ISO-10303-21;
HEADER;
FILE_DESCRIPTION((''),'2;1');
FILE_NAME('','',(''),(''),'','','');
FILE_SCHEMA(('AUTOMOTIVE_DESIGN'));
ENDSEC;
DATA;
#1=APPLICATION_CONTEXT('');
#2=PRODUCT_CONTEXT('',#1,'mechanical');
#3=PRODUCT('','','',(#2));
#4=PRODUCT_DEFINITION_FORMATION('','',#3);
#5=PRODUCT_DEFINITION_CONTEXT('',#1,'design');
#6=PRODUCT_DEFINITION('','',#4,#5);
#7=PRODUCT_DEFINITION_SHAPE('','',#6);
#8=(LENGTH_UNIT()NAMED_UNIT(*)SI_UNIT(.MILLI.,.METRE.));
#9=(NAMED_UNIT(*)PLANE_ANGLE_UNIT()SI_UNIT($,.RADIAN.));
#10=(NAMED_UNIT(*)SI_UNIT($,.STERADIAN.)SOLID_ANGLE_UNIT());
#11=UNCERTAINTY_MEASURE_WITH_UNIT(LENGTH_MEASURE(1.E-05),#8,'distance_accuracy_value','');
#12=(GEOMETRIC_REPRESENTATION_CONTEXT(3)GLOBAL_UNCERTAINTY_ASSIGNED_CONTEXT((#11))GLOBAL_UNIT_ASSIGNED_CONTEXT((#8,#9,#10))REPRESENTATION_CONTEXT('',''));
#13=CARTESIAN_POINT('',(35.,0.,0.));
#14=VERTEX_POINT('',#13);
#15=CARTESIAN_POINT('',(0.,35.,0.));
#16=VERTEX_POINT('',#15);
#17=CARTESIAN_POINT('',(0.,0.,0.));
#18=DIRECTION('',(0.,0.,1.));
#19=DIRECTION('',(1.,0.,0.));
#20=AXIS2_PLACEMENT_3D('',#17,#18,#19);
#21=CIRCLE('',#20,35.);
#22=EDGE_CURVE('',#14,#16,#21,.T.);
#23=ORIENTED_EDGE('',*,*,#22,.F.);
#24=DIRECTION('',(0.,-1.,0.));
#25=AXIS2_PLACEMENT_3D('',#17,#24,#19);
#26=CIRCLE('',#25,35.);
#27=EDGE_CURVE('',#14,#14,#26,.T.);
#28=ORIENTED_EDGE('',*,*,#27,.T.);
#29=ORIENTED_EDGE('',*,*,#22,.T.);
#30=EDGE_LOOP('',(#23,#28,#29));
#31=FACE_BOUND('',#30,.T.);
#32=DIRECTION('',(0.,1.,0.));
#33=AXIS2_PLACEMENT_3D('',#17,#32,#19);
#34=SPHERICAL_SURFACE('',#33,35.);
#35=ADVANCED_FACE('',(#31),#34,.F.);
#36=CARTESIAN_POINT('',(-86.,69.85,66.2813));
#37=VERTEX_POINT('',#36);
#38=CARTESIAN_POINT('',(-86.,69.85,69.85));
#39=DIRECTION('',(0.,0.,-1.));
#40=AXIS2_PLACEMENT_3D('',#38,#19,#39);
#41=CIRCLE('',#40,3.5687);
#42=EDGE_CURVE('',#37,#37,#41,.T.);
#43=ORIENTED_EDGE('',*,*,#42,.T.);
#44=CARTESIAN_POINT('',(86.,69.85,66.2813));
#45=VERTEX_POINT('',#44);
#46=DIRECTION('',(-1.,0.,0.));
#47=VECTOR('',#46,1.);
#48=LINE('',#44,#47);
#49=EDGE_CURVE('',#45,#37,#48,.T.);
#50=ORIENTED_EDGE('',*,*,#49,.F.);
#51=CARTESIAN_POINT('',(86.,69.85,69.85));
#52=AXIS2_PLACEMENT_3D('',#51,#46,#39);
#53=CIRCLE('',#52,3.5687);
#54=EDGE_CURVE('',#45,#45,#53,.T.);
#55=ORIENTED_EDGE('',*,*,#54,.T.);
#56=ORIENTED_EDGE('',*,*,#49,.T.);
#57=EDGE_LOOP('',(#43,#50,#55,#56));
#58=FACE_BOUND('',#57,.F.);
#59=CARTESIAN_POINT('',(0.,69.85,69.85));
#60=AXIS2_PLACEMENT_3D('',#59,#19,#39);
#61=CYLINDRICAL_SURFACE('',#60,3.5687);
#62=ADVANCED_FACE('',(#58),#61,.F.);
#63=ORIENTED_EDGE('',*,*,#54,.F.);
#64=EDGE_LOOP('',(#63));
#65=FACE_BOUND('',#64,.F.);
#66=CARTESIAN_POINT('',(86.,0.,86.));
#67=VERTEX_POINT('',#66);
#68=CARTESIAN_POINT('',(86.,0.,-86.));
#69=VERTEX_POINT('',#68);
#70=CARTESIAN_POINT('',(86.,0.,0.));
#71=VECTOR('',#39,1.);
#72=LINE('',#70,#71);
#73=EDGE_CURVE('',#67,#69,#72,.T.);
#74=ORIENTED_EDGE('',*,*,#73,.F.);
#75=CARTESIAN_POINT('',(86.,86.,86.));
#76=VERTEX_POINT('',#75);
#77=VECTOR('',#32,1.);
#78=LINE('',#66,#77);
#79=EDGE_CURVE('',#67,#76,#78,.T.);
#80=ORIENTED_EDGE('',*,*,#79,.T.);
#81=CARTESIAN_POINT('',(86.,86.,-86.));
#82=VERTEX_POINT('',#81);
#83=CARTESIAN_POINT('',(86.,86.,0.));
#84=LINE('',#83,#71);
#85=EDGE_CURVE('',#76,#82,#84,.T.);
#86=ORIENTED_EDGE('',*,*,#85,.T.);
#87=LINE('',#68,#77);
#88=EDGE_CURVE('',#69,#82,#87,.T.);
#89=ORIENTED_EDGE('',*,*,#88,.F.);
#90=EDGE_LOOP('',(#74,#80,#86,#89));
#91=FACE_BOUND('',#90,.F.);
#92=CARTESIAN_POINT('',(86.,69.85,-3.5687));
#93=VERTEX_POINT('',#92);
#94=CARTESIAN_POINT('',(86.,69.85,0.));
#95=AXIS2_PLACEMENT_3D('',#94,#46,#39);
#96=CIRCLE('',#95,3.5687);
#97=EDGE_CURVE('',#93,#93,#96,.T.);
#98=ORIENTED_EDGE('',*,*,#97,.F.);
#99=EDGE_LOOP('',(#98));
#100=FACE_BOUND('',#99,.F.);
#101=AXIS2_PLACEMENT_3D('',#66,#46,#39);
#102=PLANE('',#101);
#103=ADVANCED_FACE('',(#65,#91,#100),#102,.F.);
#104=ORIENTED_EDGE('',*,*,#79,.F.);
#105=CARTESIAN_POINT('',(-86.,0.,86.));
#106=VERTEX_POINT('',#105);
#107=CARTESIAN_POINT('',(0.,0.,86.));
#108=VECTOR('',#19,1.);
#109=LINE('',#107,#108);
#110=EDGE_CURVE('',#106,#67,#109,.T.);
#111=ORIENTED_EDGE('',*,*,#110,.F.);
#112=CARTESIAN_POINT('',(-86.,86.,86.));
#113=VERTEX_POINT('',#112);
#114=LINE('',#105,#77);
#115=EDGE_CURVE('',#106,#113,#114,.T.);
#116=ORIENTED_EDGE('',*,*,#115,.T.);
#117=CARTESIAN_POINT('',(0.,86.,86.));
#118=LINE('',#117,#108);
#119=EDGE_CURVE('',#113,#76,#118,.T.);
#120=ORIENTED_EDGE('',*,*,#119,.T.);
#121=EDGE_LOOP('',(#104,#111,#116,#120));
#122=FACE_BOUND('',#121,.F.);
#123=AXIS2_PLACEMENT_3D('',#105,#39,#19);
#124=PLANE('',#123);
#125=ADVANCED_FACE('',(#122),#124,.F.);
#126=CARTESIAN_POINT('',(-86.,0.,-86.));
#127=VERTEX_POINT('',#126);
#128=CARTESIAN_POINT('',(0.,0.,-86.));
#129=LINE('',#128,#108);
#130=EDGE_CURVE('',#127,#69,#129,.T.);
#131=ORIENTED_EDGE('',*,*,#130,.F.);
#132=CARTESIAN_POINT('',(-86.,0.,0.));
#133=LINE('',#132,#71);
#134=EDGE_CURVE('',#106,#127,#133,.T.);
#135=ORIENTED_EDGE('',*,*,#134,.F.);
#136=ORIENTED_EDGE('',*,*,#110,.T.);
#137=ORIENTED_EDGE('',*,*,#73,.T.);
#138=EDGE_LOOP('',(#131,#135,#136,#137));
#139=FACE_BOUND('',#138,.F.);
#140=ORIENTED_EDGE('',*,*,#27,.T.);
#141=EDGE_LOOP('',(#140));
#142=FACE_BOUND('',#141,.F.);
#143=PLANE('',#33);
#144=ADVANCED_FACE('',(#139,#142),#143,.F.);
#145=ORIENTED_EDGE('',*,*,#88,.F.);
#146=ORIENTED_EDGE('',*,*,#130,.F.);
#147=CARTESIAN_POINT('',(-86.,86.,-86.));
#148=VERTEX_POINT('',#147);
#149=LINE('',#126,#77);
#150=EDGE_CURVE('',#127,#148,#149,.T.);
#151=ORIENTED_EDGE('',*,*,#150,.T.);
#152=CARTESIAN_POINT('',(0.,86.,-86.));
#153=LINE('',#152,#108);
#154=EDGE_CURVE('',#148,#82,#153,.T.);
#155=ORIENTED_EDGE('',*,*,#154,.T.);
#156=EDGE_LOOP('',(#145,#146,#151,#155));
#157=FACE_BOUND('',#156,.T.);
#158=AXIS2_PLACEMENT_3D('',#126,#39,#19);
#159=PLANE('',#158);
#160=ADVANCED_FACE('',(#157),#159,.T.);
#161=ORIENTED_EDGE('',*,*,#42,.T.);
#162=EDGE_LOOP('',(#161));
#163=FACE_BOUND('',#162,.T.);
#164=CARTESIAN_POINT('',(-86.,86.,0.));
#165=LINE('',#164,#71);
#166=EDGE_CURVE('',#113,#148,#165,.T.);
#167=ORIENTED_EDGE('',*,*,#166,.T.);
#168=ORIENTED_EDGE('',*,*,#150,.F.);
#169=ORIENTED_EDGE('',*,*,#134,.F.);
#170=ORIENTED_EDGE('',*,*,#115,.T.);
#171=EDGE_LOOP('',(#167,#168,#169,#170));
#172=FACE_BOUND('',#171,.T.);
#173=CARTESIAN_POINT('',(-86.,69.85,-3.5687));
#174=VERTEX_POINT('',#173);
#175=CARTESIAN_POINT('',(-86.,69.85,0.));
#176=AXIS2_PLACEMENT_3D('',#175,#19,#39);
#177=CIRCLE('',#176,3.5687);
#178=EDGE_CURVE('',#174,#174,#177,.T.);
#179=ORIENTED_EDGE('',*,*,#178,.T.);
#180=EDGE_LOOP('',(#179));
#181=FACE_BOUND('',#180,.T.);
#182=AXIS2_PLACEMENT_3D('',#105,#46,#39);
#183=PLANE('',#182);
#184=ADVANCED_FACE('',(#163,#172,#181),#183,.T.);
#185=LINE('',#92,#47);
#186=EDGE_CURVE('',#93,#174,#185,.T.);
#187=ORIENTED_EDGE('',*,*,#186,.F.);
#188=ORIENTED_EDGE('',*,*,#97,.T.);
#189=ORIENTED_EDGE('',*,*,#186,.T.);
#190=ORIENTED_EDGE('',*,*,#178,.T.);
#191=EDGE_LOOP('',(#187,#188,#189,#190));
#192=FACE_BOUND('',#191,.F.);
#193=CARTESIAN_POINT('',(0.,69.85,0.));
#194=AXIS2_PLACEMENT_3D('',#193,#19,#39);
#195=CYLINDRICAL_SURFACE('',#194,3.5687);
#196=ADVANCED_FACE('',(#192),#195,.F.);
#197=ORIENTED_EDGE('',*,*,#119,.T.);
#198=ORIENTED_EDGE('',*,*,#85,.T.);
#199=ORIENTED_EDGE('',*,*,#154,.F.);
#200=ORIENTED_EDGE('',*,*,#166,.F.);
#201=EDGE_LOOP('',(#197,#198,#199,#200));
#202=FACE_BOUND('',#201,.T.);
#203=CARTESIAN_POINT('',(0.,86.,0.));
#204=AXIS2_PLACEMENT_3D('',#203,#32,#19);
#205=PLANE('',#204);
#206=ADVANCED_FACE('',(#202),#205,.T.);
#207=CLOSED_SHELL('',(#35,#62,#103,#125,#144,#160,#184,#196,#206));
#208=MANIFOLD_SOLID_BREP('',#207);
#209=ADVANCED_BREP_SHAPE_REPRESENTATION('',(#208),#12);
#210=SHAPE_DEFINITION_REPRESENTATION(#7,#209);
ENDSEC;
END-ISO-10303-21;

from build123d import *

# Parameters (mm, degrees)
SKETCH1_W               = 172
SKETCH1_H               = 172
BOSS_EXTRUDE1_DEPTH     = 86
SKETCH3_R               = 3.5687
CUT_EXTRUDE1_DEPTH      = 87
CUT_EXTRUDE1_DEPTH_BACK = 87


with BuildPart() as part:
    # Sketch1 → Boss-Extrude1 (new body)
    with BuildSketch(Plane(origin=(0, 0, 0), x_dir=(1, 0, 0), z_dir=(0, 1, 0))):
        Rectangle(SKETCH1_W, SKETCH1_H)
    extrude(amount=BOSS_EXTRUDE1_DEPTH)

    # Sketch2 → Cut-Revolve1 (revolve, cut)
    with BuildSketch(Plane.XY):
        with BuildLine():
            Line((0, 35), (0, 0))
            Line((0, 0), (35, 0))
            ThreePointArc((35, 0), (24.748737342, 24.748737342), (0, 35))
        make_face()
    revolve(axis=Axis((0, 35, 0), (0, -1, 0)), mode=Mode.SUBTRACT)

    # Sketch3 → Cut-Extrude1 (cut, two sides)
    with BuildSketch(Plane(origin=(0, 0, 0), x_dir=(0, 0, -1), z_dir=(1, 0, 0))) as cut_extrude1_sk:
        with Locations((-69.85, 69.85)):
            Circle(SKETCH3_R)
        with Locations((0, 69.85)):
            Circle(SKETCH3_R)
    extrude(amount=CUT_EXTRUDE1_DEPTH, mode=Mode.SUBTRACT)
    extrude(cut_extrude1_sk.sketch, amount=-CUT_EXTRUDE1_DEPTH_BACK, mode=Mode.SUBTRACT)


solid = part.part
